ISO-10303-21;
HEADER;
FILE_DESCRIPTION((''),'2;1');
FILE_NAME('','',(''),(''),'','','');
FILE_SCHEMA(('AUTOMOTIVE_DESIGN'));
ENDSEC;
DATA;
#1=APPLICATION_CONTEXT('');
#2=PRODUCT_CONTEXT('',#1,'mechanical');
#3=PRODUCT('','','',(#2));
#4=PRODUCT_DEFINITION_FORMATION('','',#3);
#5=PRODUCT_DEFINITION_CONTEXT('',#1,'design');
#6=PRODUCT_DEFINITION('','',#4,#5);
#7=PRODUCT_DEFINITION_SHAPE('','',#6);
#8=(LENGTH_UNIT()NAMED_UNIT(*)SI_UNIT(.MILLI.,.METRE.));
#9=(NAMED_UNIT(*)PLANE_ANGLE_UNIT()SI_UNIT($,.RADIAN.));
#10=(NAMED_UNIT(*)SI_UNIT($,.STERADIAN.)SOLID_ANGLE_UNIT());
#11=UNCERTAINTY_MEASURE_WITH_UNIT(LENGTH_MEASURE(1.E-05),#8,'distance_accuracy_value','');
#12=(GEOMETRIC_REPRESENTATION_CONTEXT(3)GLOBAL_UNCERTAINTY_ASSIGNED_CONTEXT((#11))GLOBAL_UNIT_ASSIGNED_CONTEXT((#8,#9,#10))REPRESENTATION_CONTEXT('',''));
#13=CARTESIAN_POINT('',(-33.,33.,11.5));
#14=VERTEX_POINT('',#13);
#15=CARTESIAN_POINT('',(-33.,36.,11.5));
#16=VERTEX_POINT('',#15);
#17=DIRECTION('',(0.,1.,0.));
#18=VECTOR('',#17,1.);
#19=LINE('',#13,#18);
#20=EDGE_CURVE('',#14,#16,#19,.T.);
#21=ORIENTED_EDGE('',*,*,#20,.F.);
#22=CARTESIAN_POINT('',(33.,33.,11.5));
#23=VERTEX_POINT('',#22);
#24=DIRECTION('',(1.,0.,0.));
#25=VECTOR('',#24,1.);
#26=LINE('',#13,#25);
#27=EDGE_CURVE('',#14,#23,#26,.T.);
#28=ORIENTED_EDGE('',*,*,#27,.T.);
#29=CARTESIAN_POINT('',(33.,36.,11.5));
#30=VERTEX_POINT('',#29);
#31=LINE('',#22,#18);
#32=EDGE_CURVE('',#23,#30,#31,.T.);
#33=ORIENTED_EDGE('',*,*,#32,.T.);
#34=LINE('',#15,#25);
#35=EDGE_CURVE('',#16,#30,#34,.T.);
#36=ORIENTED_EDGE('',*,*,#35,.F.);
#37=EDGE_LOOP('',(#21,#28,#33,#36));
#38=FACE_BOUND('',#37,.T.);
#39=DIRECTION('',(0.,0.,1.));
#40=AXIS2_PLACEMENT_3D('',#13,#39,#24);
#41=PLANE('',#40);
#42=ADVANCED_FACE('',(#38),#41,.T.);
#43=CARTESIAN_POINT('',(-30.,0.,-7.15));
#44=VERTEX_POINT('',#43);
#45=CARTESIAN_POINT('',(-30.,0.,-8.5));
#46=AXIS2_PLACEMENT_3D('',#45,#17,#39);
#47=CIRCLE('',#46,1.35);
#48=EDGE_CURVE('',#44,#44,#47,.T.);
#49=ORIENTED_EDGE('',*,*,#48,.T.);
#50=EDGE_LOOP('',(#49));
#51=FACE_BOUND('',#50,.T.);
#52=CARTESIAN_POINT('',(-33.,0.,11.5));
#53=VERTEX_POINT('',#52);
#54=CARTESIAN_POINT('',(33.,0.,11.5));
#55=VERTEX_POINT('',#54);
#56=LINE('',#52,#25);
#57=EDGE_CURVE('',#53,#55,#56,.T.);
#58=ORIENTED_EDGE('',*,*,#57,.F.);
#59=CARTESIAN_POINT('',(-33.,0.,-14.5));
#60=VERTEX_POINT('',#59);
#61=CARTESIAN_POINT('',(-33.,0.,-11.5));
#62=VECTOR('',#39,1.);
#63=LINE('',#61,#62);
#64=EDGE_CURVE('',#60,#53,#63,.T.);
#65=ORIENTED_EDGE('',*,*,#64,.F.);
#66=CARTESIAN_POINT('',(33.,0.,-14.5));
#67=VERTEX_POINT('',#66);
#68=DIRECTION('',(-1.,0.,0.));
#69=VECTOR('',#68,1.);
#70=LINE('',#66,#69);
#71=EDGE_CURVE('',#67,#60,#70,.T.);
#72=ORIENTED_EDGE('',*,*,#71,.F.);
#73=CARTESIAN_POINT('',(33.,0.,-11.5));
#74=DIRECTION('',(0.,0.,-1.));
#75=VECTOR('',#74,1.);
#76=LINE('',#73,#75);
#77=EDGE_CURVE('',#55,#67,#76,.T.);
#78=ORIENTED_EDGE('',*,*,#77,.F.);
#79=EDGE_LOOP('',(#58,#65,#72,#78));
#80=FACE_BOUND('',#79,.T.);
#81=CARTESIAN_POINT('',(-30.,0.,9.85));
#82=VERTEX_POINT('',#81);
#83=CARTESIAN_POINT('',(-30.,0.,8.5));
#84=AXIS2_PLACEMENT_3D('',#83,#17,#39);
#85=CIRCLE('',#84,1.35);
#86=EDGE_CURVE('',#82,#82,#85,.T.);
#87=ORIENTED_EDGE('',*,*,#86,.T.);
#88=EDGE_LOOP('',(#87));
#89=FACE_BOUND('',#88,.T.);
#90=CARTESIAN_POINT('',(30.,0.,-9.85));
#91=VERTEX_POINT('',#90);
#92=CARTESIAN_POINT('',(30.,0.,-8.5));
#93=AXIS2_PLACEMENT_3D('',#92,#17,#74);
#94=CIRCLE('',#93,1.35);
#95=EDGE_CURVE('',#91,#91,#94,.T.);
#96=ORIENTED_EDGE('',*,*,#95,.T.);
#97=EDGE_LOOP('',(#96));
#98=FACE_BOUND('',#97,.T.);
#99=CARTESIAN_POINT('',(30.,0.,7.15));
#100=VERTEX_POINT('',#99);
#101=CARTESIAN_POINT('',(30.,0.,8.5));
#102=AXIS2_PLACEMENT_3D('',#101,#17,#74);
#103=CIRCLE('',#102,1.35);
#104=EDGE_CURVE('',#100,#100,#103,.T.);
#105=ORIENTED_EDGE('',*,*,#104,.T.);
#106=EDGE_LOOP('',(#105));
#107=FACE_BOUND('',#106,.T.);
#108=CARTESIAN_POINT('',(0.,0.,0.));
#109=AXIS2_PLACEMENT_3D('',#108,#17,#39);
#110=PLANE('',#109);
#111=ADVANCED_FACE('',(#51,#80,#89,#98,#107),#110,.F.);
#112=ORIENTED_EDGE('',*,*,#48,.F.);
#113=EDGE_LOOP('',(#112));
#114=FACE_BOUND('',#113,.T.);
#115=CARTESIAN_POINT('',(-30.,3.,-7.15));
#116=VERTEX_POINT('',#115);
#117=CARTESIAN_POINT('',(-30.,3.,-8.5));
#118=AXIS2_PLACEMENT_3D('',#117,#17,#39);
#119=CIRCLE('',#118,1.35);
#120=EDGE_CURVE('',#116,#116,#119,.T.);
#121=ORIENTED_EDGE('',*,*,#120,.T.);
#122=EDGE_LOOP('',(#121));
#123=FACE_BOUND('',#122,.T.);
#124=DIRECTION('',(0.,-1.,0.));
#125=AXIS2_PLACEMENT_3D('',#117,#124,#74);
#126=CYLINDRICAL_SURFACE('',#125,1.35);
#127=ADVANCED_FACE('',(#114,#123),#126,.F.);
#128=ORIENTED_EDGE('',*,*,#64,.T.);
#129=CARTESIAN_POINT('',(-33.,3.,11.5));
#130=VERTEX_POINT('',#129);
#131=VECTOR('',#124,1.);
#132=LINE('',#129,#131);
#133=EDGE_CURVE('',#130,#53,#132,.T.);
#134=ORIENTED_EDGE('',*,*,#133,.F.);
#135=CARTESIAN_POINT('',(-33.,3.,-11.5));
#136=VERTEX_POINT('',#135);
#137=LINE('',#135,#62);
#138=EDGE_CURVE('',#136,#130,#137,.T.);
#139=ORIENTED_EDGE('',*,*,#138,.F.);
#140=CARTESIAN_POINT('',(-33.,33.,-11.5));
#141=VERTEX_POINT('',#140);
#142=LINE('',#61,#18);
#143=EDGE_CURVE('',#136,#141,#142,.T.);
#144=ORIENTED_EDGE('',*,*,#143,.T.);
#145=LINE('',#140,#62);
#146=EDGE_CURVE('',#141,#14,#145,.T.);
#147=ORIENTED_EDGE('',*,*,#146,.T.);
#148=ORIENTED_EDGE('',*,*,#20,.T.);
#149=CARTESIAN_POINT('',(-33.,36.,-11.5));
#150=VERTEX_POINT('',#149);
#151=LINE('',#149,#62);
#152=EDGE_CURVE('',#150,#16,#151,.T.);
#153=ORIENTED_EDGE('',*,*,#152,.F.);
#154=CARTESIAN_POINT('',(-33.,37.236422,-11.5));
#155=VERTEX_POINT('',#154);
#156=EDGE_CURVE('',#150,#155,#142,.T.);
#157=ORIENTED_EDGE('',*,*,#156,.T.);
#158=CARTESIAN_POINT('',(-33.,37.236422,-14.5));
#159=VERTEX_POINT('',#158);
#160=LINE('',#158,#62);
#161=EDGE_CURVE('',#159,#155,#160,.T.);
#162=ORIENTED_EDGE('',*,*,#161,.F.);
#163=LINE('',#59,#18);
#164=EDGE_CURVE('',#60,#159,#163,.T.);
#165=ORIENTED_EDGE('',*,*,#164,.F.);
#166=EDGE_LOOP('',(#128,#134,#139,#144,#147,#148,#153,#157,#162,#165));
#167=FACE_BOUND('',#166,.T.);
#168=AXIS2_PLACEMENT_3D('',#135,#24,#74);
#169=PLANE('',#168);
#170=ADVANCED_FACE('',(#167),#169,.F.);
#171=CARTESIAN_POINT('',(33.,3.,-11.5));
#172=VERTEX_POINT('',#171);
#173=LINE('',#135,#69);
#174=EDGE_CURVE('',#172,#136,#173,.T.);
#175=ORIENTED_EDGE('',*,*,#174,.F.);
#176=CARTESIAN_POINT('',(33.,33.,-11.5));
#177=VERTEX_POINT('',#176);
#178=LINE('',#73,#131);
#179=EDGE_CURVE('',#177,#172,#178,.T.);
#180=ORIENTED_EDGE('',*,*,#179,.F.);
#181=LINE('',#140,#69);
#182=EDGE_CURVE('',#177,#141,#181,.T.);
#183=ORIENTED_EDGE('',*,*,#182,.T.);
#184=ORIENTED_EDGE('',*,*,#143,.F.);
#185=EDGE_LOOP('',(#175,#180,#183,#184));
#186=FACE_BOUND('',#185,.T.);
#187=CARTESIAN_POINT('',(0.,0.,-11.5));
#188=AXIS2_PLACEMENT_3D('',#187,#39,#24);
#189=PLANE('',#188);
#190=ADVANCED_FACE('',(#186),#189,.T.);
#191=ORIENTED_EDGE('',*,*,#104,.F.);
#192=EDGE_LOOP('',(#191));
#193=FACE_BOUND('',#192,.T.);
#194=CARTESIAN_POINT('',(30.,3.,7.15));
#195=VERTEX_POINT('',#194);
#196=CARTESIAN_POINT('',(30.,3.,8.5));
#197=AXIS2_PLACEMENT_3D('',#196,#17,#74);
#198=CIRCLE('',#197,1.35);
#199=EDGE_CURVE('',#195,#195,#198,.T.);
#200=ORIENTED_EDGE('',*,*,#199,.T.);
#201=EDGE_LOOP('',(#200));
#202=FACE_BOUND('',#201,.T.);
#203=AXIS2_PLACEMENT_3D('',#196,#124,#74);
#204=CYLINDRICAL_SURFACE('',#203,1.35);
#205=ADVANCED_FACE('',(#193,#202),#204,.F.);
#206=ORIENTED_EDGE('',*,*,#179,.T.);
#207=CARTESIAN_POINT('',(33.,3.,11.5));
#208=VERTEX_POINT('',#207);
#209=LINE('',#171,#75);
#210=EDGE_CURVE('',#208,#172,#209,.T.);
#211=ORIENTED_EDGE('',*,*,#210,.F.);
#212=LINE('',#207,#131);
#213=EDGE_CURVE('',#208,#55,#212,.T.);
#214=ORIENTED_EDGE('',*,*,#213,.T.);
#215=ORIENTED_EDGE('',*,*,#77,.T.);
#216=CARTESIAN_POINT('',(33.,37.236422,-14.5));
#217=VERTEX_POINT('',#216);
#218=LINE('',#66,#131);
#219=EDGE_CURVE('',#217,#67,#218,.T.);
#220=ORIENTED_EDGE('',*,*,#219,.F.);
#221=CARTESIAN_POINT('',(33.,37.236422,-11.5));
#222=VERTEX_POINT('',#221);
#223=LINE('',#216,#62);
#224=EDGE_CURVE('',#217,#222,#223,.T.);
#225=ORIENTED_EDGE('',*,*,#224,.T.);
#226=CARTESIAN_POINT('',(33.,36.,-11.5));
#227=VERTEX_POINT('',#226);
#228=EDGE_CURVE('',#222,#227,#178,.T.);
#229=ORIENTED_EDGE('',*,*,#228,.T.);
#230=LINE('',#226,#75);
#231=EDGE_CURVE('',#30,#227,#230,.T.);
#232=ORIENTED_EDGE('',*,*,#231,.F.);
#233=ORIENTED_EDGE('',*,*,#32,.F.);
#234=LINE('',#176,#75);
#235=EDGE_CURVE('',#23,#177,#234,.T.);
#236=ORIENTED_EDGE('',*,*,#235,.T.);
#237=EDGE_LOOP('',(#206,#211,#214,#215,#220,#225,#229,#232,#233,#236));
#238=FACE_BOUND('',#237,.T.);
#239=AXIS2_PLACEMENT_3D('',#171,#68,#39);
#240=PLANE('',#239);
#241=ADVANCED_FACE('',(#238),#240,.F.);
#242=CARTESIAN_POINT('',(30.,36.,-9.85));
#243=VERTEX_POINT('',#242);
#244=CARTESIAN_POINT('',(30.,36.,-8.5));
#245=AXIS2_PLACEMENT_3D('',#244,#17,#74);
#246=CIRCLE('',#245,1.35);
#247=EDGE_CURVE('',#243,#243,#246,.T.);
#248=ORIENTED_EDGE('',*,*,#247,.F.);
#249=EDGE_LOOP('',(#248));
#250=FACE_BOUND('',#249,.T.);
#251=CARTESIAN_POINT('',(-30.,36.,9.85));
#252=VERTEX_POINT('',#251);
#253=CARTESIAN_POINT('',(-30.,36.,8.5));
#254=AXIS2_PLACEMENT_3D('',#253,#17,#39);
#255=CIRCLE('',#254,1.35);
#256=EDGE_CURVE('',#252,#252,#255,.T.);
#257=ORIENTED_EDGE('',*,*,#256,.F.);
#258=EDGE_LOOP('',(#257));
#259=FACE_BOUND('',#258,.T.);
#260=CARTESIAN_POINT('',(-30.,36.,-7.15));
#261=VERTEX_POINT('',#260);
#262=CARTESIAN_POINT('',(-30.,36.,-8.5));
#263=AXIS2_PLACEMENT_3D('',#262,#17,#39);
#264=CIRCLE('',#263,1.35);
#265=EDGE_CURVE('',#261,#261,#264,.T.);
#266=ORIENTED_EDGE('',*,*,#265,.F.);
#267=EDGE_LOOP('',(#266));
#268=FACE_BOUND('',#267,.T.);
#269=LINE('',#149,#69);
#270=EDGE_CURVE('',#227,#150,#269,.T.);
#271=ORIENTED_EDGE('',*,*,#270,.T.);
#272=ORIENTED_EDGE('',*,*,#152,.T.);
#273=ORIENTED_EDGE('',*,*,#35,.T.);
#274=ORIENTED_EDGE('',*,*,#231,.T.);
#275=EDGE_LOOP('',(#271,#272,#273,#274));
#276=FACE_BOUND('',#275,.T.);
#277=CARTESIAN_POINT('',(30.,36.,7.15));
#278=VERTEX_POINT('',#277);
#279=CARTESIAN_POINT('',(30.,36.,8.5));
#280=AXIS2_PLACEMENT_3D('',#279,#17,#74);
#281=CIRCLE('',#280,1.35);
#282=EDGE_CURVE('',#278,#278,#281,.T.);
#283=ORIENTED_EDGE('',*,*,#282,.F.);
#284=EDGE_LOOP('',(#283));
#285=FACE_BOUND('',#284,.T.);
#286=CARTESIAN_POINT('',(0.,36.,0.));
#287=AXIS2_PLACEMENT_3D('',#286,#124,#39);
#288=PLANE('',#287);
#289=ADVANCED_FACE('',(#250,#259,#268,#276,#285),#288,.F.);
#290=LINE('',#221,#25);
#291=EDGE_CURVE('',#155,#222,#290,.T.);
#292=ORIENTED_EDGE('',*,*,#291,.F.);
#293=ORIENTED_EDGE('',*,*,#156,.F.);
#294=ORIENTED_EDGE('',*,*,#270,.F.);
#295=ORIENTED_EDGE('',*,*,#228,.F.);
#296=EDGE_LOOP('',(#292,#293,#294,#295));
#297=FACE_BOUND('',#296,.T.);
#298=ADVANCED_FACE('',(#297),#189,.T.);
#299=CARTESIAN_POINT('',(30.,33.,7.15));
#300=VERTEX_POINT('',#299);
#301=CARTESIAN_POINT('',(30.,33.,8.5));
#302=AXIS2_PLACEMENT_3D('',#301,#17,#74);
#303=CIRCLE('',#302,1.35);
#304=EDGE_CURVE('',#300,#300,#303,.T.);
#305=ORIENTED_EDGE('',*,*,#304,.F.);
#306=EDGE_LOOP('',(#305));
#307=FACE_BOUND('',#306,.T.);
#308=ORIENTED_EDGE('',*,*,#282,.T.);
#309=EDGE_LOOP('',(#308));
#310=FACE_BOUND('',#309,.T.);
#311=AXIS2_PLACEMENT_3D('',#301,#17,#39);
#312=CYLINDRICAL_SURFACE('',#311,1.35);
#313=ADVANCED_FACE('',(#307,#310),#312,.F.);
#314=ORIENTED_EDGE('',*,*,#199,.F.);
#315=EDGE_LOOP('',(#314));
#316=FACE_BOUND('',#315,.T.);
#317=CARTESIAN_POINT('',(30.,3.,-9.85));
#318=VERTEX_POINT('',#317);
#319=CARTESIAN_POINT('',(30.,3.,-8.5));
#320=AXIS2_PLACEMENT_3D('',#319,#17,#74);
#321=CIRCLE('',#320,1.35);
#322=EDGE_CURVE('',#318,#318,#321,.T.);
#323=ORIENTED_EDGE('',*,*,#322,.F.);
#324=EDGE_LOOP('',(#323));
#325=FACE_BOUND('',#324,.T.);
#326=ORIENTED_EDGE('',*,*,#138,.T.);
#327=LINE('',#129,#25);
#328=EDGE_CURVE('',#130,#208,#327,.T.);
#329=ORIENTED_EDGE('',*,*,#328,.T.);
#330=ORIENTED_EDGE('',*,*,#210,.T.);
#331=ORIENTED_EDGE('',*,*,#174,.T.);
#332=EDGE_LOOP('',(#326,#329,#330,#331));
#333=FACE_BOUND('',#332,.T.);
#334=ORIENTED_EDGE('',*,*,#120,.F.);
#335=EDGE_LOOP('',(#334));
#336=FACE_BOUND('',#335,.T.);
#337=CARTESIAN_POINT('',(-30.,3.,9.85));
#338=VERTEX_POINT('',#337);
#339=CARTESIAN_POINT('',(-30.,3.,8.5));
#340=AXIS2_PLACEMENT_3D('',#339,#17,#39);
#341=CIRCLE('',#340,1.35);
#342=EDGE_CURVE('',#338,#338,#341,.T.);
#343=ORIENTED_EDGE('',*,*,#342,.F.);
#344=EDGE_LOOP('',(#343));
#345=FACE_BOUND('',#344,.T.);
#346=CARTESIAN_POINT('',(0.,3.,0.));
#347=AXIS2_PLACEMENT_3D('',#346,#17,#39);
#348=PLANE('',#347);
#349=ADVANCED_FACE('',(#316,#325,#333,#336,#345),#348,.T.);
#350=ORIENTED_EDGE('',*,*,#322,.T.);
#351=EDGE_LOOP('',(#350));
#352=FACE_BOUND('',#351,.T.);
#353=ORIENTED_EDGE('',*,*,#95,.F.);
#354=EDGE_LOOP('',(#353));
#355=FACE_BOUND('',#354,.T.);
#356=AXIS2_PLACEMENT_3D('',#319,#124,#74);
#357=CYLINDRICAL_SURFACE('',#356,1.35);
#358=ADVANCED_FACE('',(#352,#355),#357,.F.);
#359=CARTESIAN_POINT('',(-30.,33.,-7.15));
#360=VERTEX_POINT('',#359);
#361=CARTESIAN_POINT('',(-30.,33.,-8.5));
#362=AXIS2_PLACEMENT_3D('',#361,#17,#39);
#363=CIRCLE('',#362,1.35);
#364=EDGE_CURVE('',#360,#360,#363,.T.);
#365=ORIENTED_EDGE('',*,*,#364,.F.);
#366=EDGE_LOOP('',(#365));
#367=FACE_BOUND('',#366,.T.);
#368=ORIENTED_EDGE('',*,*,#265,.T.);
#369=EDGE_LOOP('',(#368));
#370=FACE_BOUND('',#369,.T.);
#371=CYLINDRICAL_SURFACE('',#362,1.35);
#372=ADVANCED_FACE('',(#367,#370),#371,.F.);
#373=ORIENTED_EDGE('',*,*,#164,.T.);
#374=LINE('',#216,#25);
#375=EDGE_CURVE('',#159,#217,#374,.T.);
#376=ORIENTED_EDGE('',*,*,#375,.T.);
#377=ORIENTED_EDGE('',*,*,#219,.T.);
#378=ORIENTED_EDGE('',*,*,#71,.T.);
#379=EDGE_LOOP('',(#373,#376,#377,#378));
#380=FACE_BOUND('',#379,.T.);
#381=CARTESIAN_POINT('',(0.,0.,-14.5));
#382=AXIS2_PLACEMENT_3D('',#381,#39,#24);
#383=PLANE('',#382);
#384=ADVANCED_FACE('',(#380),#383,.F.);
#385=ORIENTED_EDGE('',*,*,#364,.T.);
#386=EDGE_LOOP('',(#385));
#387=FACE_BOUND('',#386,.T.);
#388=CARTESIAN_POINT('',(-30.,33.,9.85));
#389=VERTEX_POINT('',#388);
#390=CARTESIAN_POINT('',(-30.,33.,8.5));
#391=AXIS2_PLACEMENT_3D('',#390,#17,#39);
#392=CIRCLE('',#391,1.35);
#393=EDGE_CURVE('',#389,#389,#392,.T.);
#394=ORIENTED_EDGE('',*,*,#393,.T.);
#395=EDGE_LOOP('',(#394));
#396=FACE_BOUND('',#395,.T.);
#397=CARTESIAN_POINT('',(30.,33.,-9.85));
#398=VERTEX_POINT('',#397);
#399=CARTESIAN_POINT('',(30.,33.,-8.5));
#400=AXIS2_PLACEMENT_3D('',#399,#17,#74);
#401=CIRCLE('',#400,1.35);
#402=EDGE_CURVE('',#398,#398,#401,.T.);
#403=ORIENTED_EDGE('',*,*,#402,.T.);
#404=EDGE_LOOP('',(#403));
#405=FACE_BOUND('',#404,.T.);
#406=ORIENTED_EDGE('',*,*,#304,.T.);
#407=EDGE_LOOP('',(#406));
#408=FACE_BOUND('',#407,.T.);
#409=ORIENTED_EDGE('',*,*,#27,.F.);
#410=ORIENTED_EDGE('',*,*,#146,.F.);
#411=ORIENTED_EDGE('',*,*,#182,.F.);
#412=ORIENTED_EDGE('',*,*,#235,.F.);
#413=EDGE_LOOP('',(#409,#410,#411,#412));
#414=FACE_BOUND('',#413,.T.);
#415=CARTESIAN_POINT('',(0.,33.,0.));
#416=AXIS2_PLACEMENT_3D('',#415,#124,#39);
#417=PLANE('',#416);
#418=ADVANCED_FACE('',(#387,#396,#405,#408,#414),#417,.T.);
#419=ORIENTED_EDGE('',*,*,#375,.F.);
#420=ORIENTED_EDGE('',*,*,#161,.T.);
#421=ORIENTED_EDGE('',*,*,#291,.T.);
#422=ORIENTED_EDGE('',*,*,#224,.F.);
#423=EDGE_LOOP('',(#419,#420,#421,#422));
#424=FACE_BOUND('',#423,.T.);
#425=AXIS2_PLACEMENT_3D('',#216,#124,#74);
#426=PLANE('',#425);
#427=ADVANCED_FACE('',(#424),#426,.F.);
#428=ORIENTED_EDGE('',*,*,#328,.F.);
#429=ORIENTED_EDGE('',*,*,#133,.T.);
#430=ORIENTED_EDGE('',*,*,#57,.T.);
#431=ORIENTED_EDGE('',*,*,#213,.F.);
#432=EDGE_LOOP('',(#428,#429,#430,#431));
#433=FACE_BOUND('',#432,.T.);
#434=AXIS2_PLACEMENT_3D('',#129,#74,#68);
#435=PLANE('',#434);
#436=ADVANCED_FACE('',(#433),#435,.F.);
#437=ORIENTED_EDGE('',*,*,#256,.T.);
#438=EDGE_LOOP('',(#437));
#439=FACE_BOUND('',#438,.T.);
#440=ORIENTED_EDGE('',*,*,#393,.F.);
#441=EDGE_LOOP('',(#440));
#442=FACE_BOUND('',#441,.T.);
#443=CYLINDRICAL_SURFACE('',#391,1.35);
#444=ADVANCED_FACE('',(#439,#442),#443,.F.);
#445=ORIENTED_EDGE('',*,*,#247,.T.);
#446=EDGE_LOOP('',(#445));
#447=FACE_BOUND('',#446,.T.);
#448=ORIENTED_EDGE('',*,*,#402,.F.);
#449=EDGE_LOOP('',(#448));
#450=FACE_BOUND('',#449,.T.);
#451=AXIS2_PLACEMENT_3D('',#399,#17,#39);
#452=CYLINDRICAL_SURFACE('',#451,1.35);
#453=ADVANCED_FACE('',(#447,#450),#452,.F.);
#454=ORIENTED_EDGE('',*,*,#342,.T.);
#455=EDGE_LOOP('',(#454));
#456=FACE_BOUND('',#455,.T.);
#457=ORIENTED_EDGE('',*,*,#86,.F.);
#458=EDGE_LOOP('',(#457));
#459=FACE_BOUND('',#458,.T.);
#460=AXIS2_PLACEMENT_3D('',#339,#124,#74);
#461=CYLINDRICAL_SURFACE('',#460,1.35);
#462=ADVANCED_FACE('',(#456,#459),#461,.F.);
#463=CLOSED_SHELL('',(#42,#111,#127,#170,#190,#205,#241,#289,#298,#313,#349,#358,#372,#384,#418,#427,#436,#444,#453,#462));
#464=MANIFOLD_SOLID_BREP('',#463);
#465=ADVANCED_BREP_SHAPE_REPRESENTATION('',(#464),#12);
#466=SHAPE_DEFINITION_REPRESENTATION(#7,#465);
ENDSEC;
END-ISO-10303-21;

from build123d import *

# Parameters (mm, degrees)
SKETCH1_W           = 66
SKETCH1_H           = 23
SKETCH1_R           = 1.35
BOSS_EXTRUDE1_DEPTH = 3
SKETCH2_W           = 66
SKETCH2_H           = 37.236421537
BOSS_EXTRUDE2_DEPTH = 3


with BuildPart() as part:
    # Sketch1 → Boss-Extrude1 (new body)
    with BuildSketch(Plane(origin=(0, 0, 0), x_dir=(1, 0, 0), z_dir=(0, 1, 0))):
        Rectangle(SKETCH1_W, SKETCH1_H)
        with Locations(Location((-30, -8.5, 0), (0, 0, 270))):
            Circle(SKETCH1_R, mode=Mode.SUBTRACT)
        with Locations(Location((-30, 8.5, 0), (0, 0, 270))):
            Circle(SKETCH1_R, mode=Mode.SUBTRACT)
        with Locations(Location((30, -8.5, 0), (0, 0, 90))):
            Circle(SKETCH1_R, mode=Mode.SUBTRACT)
        with Locations(Location((30, 8.5, 0), (0, 0, 90))):
            Circle(SKETCH1_R, mode=Mode.SUBTRACT)
    boss_extrude1 = extrude(amount=BOSS_EXTRUDE1_DEPTH)

    # Sketch2 → Boss-Extrude2 (add)
    with BuildSketch(Plane(origin=(0, 0, -11.5), x_dir=(-1, 0, 0), z_dir=(0, 0, -1))):
        with Locations((0, 18.618210769)):
            Rectangle(SKETCH2_W, SKETCH2_H)
    extrude(amount=BOSS_EXTRUDE2_DEPTH)

    # Mirror2: Boss-Extrude1 across plane
    add(boss_extrude1.mirror(Plane.ZX.offset(18)))


solid = part.part
